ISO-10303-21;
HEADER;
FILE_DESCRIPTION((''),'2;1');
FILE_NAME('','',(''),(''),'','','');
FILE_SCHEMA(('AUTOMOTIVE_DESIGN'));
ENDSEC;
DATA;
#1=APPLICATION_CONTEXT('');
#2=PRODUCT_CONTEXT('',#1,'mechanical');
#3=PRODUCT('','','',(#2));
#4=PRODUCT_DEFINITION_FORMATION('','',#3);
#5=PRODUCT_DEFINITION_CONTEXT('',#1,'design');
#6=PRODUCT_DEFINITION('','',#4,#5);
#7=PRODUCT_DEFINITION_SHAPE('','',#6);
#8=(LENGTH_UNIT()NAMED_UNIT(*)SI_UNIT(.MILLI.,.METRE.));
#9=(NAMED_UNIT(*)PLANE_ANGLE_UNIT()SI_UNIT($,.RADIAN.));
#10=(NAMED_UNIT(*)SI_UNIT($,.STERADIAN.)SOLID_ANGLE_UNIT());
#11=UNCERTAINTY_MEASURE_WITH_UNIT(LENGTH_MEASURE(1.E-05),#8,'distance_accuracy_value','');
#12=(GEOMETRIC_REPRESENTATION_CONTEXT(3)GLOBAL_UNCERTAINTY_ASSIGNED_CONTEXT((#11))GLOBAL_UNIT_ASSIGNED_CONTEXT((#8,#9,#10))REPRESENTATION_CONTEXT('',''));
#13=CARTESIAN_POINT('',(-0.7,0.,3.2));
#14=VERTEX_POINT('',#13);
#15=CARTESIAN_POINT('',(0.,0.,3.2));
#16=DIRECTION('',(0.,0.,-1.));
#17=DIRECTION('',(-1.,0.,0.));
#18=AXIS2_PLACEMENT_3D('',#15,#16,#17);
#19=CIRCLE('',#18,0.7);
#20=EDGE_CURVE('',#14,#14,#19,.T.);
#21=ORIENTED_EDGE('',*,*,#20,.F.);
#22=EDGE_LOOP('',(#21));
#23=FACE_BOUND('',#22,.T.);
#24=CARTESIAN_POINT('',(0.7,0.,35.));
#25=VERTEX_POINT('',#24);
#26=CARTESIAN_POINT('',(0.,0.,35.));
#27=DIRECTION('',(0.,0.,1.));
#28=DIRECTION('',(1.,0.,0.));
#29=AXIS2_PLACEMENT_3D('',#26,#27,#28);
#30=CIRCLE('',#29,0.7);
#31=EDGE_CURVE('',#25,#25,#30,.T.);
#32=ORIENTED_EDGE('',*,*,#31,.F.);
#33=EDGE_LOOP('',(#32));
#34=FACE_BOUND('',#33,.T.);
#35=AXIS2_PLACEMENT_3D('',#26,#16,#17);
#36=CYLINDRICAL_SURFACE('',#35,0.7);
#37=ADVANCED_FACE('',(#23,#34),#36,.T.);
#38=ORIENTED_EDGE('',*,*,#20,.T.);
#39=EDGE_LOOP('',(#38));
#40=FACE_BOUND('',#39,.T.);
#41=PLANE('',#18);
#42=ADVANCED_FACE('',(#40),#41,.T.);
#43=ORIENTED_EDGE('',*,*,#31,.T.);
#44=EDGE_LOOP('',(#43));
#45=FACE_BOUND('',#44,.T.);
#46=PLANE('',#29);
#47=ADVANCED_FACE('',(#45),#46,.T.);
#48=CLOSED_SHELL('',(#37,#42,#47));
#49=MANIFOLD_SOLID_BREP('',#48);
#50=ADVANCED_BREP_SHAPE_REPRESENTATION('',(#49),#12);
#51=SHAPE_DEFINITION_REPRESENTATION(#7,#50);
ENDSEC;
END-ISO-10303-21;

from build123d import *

# Parameters (mm, degrees)
SKETCH_1_R          = 0.7
EXTRUDE_1_DEPTH     = 35
SKETCH_2_R          = 1.414954106
CUT_EXTRUDE_2_DEPTH = 3.2


with BuildPart() as part:
    # 草图1 → 凸台-拉伸1 (new body)
    with BuildSketch(Plane.XY):
        Circle(SKETCH_1_R)
    extrude(amount=EXTRUDE_1_DEPTH)

    # 草图2 → 切除-拉伸2 (cut)
    with BuildSketch(Plane(origin=(0, 0, 0), x_dir=(-1, 0, 0), z_dir=(0, 0, -1))):
        Circle(SKETCH_2_R)
    extrude(amount=-CUT_EXTRUDE_2_DEPTH, mode=Mode.SUBTRACT)


solid = part.part
